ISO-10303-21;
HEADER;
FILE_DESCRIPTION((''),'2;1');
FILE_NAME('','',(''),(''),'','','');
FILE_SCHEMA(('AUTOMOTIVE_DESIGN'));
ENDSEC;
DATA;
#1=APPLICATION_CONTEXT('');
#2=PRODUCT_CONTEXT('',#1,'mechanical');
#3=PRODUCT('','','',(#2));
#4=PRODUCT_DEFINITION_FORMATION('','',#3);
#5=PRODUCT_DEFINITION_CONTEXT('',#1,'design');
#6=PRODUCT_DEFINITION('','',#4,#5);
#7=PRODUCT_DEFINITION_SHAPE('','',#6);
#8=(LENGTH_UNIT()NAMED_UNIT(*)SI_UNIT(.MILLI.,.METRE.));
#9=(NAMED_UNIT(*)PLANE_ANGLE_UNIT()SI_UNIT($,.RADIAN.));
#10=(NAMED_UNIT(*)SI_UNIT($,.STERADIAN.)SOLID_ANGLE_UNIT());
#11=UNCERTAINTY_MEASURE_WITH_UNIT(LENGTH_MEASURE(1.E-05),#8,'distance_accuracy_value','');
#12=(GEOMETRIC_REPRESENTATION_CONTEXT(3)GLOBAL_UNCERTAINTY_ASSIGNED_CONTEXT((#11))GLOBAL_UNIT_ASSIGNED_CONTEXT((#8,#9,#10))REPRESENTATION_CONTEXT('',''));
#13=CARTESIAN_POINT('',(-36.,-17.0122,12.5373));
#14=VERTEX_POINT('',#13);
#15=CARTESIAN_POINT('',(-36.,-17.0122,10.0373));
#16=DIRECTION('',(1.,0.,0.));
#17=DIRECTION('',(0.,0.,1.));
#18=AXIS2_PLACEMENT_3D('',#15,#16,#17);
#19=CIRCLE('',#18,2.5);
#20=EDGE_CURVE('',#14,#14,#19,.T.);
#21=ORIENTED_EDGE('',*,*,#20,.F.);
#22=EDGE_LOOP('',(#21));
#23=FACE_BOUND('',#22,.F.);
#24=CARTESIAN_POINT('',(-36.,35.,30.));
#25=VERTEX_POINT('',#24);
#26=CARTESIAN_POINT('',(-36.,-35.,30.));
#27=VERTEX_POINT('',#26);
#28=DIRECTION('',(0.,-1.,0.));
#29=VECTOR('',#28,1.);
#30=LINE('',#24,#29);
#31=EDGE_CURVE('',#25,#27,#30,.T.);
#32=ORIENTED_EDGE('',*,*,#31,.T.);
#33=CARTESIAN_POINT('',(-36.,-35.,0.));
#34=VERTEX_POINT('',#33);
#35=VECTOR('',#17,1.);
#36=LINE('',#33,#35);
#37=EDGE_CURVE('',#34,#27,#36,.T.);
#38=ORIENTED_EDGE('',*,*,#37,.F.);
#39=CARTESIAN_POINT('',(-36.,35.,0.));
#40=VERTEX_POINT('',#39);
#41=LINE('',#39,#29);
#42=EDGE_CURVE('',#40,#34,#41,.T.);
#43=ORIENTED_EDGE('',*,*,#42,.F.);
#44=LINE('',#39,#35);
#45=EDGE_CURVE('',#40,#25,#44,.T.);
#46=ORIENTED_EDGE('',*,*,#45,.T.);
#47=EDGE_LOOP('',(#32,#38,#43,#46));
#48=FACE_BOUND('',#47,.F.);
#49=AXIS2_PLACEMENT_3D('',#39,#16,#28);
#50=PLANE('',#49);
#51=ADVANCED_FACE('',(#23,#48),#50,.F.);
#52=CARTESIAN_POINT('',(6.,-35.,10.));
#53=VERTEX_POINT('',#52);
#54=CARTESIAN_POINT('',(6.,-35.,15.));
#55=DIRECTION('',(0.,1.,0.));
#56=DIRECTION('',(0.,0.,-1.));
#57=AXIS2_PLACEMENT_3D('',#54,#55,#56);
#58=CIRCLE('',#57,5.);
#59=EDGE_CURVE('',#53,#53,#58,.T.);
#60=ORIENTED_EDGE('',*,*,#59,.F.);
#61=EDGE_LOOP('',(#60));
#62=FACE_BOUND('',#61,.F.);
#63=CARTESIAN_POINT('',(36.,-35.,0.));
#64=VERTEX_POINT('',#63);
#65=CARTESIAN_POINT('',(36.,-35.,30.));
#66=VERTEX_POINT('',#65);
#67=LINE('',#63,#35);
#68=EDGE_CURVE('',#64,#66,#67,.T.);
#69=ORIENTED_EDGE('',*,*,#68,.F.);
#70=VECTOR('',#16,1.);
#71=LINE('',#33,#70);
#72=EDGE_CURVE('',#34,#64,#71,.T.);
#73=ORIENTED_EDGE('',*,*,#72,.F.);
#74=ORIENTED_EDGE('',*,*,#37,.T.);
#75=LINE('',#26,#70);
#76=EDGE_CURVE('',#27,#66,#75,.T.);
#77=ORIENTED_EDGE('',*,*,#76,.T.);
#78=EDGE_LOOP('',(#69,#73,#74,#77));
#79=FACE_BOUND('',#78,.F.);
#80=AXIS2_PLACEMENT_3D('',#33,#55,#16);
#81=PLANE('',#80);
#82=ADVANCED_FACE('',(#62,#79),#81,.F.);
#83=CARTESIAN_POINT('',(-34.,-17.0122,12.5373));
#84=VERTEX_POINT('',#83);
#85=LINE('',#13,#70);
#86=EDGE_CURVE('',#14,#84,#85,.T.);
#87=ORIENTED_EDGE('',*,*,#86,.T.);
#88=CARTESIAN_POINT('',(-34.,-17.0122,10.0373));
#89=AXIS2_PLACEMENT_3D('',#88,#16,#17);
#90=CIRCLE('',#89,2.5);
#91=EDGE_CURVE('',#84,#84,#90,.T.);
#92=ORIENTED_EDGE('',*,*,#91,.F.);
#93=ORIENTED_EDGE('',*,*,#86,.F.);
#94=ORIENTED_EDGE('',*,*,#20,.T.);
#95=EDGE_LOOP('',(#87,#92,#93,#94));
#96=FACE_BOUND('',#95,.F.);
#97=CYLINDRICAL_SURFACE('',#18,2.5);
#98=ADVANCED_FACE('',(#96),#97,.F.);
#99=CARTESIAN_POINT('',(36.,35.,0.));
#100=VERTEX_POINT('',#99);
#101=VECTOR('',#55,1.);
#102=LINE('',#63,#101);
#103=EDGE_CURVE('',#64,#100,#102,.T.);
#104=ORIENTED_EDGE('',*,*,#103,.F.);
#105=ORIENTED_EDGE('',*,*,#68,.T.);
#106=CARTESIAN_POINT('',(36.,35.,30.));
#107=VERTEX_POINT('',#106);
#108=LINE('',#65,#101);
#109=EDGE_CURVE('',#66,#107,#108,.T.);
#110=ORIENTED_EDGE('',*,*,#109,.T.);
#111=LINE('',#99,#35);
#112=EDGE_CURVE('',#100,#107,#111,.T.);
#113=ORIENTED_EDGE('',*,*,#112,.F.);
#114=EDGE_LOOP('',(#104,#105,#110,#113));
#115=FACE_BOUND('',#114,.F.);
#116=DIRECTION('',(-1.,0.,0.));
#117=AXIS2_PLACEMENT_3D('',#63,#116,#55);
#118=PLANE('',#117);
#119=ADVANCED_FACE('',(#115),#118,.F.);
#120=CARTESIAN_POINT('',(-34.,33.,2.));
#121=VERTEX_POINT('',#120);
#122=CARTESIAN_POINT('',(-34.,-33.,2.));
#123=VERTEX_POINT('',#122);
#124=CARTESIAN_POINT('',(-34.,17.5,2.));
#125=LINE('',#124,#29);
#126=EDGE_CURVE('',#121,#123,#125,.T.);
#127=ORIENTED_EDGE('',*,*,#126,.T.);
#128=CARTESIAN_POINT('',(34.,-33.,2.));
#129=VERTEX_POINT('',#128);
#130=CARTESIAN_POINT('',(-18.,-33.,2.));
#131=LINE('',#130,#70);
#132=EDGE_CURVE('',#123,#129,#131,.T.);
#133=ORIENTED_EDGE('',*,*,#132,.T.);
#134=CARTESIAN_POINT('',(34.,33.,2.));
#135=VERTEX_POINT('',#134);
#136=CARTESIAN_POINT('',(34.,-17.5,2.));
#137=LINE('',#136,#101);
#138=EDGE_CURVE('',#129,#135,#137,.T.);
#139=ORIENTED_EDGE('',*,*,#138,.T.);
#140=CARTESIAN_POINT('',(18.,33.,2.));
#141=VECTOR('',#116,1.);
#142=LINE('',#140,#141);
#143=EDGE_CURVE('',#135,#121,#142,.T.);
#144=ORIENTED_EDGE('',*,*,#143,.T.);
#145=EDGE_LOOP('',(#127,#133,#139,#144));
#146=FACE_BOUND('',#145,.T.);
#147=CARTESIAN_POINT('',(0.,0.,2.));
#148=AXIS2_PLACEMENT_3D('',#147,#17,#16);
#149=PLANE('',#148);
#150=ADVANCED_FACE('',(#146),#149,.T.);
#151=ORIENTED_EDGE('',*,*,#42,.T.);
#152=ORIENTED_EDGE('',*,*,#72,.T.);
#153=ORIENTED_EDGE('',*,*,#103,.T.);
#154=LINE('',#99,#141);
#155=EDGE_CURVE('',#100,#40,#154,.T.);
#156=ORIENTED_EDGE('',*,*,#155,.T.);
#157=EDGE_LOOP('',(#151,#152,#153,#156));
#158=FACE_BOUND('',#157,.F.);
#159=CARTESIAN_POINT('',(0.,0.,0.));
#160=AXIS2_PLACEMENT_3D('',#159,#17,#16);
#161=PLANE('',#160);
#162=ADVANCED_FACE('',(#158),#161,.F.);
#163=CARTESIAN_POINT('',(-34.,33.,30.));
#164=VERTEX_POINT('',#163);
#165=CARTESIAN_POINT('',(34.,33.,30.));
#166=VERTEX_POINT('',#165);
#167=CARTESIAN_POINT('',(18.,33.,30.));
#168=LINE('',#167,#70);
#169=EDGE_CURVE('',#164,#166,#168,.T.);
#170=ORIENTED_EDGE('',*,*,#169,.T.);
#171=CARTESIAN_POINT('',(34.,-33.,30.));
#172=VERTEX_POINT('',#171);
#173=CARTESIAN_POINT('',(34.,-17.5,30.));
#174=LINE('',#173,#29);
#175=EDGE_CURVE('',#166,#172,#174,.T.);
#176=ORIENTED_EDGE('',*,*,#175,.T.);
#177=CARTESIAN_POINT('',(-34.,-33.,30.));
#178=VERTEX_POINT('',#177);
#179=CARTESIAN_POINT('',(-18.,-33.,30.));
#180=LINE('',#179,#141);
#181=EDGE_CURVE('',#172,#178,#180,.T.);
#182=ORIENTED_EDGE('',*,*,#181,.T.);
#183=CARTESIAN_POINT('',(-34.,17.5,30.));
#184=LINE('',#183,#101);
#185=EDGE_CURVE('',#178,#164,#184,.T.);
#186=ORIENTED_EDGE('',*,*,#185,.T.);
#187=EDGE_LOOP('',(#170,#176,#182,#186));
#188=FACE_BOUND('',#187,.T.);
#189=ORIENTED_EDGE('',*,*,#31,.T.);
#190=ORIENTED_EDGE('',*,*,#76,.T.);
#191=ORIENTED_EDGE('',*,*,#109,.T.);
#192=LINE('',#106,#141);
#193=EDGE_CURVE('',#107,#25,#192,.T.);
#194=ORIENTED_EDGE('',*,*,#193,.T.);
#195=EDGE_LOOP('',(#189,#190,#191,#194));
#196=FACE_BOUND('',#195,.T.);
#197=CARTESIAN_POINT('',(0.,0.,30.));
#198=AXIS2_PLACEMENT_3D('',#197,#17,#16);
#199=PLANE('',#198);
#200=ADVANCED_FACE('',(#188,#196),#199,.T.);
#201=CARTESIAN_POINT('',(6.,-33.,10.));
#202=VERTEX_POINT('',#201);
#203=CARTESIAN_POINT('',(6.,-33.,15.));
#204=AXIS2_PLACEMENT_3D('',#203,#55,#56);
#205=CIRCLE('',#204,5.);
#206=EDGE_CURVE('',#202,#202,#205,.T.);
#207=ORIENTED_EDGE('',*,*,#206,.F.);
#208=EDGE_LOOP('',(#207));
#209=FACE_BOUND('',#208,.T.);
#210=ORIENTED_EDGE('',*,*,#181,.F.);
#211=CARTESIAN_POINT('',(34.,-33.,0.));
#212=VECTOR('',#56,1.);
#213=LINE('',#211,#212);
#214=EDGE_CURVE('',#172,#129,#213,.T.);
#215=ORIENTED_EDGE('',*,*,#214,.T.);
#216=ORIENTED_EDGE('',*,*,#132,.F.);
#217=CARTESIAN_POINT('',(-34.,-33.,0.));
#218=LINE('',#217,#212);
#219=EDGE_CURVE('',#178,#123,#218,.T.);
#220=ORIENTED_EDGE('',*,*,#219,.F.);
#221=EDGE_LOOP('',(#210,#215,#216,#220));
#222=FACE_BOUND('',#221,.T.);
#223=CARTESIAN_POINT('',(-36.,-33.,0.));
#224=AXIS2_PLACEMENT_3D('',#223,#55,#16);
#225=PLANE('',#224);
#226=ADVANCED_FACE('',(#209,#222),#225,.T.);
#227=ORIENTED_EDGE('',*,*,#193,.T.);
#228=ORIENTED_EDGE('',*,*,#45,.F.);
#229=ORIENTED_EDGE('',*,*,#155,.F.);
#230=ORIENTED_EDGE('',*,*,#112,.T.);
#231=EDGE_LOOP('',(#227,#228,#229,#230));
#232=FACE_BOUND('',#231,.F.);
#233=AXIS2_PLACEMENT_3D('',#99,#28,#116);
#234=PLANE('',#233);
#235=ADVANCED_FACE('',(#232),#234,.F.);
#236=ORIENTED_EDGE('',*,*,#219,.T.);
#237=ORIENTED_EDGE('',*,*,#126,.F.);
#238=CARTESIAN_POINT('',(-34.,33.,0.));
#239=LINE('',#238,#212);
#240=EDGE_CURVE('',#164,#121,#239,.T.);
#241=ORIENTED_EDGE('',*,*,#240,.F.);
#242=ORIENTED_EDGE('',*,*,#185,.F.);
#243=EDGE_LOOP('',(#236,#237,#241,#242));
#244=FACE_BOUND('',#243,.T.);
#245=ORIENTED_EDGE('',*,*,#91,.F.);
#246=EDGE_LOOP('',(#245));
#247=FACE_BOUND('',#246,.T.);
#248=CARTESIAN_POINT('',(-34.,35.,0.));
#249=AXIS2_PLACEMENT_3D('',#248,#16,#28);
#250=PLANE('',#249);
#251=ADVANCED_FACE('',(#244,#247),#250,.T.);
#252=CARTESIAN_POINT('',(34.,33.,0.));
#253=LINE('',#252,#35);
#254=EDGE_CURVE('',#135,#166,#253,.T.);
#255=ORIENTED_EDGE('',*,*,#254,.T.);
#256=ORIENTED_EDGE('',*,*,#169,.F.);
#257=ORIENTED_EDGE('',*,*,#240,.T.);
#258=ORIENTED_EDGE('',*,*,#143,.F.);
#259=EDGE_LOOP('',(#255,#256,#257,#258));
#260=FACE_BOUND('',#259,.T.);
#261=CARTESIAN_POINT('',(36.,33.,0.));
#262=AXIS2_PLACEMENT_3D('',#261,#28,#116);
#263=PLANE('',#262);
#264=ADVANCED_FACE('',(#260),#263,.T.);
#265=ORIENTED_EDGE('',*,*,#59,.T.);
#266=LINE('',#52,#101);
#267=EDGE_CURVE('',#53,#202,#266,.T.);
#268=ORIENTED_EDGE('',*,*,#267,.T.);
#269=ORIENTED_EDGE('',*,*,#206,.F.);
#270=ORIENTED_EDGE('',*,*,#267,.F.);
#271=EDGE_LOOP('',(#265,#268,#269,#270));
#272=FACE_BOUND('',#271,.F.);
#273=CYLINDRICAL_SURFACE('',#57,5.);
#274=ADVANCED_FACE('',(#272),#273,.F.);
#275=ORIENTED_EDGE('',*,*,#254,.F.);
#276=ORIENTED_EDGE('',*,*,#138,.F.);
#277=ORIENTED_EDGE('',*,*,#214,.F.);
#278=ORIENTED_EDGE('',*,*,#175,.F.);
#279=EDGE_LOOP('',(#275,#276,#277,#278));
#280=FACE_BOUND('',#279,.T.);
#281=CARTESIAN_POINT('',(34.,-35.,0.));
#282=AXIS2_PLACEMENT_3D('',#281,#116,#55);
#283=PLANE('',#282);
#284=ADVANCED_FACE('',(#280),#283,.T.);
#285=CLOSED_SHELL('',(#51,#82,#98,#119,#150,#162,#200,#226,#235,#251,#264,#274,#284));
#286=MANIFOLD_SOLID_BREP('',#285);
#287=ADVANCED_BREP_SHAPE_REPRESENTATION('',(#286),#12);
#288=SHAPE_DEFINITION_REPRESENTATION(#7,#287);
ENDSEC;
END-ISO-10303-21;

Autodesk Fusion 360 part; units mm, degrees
sketch "Sketch1" plane through (0, 0, 0) normal (0, 0, 1) x (1, 0, 0)
  line L0 (36, 35) -> (-36, 35)
  line L1 (-36, 35) -> (-36, -35)
  line L2 (-36, -35) -> (36, -35)
  line L3 (36, -35) -> (36, 35)
  line L4 (36, 35) -> (-36, -35) construction
  line L5 (-36, 35) -> (36, -35) construction
  dimension "d1" = 72
  dimension "d2" = 70
extrude "Extrude1" add sketch "Sketch1" along normal blind 30
shell "Shell1" thickness 2 removed faces 1 at (-12, 11.6667, 30)
sketch "Sketch2" plane through (-36, 0, 0) normal (-1, 0, 0) x (0, -1, 0)
  line L0 (-35, 0) -> (35, 0)
  line L1 (35, 0) -> (35, 30)
  line L2 (35, 30) -> (-35, 30)
  line L3 (-35, 30) -> (-35, 0)
  line L4 (35, 0) -> (17, 0)
  line L5 (17, 0) -> (17, 10)
  dimension "d11" = 18
  dimension "d12" = 10
hole "Hole2" at (-36, -17.0122, 10.0373) direction (1, 0, 0) diameter 5 depth 2 tip angle 118
sketch "Sketch3" plane through (0, -35, 0) normal (0, -1, 0) x (1, 0, 0)
  line L0 (-36, 0) -> (36, 0)
  line L1 (36, 0) -> (36, 30)
  line L2 (36, 30) -> (-36, 30)
  line L3 (-36, 30) -> (-36, 0)
hole "Hole3" at (6, -35, 15) direction (0, 1, 0) diameter 10 depth 2 tip angle 118
